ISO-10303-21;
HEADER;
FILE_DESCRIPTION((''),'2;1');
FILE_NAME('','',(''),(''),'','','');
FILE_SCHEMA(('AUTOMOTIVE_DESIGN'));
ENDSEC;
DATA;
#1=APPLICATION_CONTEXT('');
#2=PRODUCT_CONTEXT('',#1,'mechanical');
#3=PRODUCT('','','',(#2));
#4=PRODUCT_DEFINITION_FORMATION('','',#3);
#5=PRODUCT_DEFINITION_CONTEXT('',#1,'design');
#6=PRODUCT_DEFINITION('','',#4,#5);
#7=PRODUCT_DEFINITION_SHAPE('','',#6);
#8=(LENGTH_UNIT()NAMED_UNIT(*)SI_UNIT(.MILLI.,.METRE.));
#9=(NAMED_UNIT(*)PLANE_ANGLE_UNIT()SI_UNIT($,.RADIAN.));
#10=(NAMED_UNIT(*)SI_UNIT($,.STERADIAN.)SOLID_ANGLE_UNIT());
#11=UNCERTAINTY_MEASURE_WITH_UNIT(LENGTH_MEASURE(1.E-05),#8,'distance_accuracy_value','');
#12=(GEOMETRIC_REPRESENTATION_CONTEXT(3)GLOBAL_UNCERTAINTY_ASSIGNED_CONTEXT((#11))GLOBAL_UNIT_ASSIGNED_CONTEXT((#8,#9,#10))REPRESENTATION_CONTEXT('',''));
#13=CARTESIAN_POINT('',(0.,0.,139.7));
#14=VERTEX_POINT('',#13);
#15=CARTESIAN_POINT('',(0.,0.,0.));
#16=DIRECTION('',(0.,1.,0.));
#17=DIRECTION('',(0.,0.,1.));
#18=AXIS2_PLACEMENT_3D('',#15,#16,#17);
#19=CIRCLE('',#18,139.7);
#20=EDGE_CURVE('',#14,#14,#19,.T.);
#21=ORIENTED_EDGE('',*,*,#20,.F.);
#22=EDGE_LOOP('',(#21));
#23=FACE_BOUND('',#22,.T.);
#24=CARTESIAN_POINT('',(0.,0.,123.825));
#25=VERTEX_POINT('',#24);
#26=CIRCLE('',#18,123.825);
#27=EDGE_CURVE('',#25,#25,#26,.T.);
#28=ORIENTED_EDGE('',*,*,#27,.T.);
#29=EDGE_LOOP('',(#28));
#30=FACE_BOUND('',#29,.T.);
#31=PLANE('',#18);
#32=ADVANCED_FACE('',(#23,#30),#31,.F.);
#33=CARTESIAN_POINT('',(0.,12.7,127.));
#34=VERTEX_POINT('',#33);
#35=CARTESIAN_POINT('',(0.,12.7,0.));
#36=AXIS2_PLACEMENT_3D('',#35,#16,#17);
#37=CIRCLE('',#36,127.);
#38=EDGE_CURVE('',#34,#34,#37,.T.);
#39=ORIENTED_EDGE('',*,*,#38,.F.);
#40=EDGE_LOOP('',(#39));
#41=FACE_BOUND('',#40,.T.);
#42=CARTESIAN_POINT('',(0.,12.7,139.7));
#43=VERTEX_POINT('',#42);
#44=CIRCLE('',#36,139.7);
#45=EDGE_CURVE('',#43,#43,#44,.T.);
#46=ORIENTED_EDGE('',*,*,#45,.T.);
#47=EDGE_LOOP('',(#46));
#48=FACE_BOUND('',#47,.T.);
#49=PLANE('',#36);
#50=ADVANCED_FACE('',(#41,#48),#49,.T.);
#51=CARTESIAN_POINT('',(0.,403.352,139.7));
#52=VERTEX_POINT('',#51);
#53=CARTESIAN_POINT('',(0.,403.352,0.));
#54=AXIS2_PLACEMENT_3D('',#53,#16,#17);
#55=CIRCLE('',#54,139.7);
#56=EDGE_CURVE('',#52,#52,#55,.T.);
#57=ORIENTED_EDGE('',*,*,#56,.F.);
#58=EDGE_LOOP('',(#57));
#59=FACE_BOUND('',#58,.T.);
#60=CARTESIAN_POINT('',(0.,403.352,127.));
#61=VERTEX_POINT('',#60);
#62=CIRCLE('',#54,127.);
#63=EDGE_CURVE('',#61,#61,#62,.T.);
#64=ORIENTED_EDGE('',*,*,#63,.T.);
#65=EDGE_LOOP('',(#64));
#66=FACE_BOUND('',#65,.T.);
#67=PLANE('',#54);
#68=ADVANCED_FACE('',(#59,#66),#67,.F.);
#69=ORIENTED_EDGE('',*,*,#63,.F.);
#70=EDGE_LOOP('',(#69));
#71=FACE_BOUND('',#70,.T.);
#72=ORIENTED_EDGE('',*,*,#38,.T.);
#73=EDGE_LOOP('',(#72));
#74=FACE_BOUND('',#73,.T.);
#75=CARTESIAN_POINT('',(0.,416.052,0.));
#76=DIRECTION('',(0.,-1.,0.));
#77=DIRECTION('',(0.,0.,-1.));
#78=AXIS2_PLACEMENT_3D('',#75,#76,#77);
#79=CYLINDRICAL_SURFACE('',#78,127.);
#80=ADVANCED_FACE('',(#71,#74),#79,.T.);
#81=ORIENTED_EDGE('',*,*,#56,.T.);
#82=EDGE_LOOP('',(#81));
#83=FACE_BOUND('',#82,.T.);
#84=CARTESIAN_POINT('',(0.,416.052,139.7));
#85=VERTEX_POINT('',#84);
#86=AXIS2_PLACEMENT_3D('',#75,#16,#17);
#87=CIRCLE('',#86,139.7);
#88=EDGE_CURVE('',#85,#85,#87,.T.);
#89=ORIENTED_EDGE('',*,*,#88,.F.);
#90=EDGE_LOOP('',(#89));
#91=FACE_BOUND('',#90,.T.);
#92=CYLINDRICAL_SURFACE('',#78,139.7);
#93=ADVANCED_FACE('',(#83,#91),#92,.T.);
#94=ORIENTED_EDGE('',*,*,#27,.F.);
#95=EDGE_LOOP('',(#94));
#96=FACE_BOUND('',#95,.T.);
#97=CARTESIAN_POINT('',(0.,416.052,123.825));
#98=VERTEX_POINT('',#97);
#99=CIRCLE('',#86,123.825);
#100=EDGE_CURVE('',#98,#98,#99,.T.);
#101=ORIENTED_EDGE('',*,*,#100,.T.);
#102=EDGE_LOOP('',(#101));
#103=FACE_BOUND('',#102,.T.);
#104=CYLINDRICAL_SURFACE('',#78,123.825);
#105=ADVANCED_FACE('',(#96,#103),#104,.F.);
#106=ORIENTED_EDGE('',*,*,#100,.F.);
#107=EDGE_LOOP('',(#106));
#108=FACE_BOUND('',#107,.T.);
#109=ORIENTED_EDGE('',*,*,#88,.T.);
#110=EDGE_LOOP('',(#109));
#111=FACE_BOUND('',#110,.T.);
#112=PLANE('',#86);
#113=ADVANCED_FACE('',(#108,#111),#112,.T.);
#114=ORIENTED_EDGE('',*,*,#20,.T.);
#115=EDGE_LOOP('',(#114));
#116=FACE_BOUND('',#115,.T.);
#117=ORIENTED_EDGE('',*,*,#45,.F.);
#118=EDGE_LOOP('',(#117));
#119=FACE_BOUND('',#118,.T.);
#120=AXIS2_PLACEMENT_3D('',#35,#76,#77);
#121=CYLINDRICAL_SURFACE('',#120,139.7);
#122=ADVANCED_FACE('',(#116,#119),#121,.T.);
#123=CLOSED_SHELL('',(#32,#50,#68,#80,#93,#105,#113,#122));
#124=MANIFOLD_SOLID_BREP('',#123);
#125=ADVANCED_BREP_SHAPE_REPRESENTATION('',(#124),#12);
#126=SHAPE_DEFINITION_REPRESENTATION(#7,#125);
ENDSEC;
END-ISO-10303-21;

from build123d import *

# Parameters (mm, degrees)
SKETCH1_R           = 127
SKETCH1_R_2         = 123.825
BOSS_EXTRUDE1_DEPTH = 416.052
SKETCH1_3_R         = 139.7
SKETCH1_3_R_2       = 127
BOSS_EXTRUDE2_DEPTH = 12.7
BOSS_EXTRUDE4_START = 403.352
SKETCH1_5_R         = 139.7
SKETCH1_5_R_2       = 127
BOSS_EXTRUDE4_DEPTH = 12.7


with BuildPart() as part:
    # Sketch1 → Boss-Extrude1 (new body)
    with BuildSketch(Plane(origin=(0, 0, 0), x_dir=(1, 0, 0), z_dir=(0, 1, 0))):
        Circle(SKETCH1_R)
        Circle(SKETCH1_R_2, mode=Mode.SUBTRACT)
    extrude(amount=BOSS_EXTRUDE1_DEPTH)

    # Sketch1<3> → Boss-Extrude2 (add)
    with BuildSketch(Plane(origin=(0, 0, 0), x_dir=(1, 0, 0), z_dir=(0, 1, 0))):
        Circle(SKETCH1_3_R)
        Circle(SKETCH1_3_R_2, mode=Mode.SUBTRACT)
    extrude(amount=BOSS_EXTRUDE2_DEPTH)

    # Sketch1<5> → Boss-Extrude4 (add)
    with BuildSketch(Plane(origin=(0, 0, 0), x_dir=(1, 0, 0), z_dir=(0, 1, 0)).offset(BOSS_EXTRUDE4_START)):
        Circle(SKETCH1_5_R)
        Circle(SKETCH1_5_R_2, mode=Mode.SUBTRACT)
    extrude(amount=BOSS_EXTRUDE4_DEPTH)


solid = part.part
